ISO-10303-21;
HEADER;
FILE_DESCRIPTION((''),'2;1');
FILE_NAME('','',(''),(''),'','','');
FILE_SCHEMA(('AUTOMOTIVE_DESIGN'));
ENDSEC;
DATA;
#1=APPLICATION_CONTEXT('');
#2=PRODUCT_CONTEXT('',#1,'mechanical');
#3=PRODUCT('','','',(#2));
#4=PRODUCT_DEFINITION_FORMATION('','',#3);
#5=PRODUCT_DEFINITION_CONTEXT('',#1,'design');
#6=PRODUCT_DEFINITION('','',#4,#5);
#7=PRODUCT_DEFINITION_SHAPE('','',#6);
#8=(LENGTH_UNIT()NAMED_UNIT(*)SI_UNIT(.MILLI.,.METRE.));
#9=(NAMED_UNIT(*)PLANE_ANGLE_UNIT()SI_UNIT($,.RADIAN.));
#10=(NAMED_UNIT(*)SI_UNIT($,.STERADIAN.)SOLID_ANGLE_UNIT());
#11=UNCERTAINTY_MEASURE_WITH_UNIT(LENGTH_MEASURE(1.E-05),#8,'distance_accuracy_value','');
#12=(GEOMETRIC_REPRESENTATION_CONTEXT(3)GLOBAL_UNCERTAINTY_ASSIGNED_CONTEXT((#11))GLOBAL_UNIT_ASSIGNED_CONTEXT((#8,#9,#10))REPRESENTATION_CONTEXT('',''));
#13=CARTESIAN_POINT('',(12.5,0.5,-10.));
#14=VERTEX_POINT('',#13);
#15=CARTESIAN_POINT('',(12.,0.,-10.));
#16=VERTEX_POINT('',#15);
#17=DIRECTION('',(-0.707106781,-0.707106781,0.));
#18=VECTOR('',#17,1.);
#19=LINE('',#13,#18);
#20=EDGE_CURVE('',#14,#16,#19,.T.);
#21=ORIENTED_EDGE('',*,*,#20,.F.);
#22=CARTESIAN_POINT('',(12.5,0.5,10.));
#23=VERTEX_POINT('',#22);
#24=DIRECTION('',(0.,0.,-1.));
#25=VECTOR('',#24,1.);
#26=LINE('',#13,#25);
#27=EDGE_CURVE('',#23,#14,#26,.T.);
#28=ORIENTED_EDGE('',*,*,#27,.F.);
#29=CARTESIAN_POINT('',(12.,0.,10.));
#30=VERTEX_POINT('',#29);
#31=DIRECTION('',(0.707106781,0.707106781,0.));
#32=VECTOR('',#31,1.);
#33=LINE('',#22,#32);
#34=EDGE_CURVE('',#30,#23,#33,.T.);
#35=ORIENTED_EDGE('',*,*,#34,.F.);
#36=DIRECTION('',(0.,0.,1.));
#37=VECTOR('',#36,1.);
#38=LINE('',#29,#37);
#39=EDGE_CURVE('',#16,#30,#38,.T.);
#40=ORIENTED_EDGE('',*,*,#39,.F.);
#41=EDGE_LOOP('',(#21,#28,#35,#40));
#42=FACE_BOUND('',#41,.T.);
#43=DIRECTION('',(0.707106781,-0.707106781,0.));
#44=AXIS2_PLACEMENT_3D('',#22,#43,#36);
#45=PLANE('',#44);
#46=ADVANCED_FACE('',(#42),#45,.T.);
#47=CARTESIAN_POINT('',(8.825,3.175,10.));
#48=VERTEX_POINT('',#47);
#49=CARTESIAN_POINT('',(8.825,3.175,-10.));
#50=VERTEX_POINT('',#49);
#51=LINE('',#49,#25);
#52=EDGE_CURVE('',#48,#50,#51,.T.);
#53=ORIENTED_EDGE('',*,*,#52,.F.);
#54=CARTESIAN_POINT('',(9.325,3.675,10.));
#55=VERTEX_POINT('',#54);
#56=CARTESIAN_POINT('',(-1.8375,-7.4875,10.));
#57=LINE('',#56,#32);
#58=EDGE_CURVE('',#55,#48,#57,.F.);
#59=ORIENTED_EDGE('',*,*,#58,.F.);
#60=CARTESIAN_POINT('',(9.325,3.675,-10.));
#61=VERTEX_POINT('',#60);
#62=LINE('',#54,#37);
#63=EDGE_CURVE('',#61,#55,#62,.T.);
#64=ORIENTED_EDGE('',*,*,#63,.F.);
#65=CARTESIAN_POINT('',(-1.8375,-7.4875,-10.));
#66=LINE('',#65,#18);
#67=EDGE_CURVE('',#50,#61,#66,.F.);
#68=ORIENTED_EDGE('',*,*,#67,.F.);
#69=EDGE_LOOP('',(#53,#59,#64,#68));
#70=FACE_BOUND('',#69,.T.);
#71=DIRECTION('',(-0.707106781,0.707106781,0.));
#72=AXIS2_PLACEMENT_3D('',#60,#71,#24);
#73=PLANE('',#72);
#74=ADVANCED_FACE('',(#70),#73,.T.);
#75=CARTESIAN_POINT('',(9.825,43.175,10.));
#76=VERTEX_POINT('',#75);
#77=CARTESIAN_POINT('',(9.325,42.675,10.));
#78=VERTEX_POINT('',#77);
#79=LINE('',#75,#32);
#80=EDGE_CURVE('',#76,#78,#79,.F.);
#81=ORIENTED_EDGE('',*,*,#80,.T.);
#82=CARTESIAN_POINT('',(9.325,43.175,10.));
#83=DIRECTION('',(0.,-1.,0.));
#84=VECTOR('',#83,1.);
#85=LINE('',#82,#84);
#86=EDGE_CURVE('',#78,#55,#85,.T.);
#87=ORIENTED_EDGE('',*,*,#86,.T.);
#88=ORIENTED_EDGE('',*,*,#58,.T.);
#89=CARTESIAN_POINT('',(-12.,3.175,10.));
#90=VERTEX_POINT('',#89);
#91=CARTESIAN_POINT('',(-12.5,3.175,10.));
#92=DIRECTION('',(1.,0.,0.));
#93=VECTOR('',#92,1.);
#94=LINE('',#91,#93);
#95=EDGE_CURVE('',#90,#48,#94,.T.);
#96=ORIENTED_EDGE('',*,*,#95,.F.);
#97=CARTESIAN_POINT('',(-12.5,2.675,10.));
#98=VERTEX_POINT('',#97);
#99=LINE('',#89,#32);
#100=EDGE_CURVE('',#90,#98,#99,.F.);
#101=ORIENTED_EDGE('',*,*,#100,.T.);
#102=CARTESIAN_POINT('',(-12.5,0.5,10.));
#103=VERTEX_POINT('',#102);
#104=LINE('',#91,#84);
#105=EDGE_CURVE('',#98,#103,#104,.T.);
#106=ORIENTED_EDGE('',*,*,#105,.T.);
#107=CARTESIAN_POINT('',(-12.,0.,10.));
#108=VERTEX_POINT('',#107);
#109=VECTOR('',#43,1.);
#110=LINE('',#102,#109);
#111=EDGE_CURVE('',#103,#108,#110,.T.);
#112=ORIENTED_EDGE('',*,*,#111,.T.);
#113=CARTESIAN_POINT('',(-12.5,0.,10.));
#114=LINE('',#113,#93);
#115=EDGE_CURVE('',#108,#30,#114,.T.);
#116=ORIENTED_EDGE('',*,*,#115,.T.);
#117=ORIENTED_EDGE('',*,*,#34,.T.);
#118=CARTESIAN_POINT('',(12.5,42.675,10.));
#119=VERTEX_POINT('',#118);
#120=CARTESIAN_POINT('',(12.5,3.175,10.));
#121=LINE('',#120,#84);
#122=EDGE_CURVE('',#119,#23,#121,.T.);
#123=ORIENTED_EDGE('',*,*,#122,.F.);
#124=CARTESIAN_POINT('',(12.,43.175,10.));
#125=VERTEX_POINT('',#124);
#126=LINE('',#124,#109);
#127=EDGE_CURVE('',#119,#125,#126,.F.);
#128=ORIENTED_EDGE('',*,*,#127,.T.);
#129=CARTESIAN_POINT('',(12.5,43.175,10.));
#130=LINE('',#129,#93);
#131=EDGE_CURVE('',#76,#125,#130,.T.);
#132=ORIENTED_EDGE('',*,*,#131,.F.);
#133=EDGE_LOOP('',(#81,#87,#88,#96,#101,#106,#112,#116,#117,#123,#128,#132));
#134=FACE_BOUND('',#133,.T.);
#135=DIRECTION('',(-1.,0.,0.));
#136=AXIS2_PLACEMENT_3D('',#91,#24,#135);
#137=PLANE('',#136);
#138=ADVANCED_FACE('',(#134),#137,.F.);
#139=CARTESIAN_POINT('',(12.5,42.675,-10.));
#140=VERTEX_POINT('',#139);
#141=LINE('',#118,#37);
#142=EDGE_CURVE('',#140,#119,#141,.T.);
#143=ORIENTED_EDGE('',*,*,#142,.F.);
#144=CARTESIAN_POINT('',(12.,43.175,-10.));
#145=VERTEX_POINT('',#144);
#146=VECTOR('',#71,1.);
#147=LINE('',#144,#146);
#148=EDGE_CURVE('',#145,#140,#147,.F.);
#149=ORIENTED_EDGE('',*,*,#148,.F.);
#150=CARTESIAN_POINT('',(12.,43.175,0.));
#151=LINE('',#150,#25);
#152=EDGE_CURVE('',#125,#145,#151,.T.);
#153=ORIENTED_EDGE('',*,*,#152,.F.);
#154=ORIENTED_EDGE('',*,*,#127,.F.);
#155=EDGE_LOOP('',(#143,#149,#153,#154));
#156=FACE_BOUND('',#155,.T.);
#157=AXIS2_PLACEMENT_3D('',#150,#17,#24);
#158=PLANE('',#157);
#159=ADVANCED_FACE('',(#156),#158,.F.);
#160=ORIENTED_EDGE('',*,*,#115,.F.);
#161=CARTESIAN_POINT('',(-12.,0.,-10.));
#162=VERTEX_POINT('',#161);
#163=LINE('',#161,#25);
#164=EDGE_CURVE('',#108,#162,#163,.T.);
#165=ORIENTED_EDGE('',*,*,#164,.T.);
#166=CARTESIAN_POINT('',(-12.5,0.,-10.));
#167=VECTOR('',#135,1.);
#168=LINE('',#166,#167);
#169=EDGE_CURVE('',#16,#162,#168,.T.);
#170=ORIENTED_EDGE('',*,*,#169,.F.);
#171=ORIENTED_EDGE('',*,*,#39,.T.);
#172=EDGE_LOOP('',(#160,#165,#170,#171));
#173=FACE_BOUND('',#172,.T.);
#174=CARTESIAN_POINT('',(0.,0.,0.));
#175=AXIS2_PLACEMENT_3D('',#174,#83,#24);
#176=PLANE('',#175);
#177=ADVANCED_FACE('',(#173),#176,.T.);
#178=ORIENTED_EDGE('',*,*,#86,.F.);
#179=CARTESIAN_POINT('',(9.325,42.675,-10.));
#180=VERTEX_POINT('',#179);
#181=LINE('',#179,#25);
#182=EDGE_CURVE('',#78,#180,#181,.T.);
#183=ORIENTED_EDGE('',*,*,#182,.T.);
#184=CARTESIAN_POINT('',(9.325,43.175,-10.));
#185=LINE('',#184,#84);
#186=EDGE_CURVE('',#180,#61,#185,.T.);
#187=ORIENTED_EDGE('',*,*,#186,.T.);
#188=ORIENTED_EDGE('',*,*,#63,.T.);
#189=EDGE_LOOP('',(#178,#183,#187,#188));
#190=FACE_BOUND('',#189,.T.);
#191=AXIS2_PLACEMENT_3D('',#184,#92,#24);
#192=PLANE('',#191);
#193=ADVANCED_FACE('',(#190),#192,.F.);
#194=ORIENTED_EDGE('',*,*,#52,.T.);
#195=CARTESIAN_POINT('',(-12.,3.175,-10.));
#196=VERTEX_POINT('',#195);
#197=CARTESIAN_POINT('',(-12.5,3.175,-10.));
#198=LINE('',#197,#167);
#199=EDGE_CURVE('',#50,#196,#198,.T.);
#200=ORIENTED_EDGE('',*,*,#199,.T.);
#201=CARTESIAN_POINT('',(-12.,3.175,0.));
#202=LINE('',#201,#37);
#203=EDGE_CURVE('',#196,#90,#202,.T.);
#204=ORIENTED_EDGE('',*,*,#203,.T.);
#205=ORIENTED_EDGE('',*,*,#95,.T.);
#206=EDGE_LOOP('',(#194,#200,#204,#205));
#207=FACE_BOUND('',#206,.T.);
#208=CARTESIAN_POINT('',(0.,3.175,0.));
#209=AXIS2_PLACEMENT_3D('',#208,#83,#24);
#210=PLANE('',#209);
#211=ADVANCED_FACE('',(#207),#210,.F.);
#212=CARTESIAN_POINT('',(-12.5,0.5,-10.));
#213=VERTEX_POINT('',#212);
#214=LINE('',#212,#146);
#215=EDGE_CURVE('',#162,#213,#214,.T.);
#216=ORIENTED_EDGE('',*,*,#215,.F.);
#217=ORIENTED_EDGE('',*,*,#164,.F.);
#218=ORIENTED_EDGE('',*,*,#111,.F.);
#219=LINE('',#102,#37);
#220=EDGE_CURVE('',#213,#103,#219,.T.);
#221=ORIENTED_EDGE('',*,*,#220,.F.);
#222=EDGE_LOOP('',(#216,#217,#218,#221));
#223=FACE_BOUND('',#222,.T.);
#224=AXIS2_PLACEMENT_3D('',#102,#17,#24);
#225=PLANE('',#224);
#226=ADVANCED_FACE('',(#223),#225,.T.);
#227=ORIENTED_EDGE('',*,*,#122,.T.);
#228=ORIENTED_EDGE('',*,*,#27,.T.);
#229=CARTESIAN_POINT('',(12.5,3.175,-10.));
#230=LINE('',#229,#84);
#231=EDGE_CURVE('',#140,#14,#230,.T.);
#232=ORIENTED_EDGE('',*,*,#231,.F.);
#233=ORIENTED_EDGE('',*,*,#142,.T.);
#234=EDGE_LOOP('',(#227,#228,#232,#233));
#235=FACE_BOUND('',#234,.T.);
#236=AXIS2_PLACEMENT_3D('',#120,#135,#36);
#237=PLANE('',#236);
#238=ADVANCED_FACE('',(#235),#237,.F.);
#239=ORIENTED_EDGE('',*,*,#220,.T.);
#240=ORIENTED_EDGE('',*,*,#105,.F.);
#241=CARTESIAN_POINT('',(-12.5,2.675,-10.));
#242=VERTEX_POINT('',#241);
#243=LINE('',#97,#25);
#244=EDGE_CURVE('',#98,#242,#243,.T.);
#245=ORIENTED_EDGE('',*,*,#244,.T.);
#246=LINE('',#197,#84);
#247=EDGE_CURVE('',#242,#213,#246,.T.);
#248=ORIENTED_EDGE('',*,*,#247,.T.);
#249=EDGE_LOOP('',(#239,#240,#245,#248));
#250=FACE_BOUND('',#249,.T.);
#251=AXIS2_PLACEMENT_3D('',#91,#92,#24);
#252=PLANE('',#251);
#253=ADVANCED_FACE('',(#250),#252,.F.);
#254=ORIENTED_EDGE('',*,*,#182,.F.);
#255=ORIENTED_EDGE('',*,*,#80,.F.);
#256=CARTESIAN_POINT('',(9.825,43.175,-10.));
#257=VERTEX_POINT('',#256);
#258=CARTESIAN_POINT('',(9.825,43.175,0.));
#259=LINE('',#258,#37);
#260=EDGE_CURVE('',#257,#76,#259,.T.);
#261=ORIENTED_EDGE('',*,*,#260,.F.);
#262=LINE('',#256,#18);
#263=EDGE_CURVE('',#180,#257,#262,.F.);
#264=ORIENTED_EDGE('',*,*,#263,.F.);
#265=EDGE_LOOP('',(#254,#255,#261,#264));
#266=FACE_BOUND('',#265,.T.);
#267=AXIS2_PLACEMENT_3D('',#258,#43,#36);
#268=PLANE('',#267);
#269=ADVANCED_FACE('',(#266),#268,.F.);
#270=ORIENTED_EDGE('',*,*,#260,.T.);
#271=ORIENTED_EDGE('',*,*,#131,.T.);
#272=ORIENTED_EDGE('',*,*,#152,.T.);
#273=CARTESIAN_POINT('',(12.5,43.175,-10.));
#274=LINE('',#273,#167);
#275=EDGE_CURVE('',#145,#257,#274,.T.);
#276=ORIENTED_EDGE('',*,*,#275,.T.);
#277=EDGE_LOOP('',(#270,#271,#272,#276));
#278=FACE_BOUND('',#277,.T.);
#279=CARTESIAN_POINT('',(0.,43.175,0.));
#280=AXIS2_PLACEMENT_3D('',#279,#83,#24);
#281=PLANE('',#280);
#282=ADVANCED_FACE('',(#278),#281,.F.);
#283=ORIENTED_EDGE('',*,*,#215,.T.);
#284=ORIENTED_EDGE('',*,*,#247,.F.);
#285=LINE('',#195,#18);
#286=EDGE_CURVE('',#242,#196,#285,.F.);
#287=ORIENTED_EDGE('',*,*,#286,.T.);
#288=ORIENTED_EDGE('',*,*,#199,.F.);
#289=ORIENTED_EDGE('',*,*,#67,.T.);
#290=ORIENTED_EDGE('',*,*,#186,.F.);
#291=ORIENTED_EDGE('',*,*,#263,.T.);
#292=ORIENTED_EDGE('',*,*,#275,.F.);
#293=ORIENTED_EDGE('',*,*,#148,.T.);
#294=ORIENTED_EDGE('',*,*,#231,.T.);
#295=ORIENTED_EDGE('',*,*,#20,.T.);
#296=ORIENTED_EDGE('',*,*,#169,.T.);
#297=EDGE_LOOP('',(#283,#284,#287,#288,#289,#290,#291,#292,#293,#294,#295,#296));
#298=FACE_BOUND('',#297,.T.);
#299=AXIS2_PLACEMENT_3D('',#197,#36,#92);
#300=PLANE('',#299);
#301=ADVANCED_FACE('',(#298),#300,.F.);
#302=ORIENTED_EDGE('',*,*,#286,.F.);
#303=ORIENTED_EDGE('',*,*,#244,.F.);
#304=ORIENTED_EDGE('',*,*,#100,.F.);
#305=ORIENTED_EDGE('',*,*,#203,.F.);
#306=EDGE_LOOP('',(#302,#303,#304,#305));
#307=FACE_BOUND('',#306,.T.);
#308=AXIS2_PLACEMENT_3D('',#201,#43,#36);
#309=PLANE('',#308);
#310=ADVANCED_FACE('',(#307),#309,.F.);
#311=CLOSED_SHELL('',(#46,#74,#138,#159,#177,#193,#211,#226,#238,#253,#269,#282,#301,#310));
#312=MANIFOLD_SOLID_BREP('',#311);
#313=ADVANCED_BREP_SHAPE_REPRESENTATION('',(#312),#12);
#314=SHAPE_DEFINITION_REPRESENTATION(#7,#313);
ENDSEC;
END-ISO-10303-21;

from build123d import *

# Parameters (mm, degrees)
SKETCH1_W           = 25
SKETCH1_H           = 20
BOSS_EXTRUDE1_DEPTH = 3.175
SKETCH3_W           = 3.175
SKETCH3_H           = 20
BOSS_EXTRUDE2_DEPTH = 40
CHAMFER1_SIZE       = 0.5


with BuildPart() as part:
    # Sketch1 → Boss-Extrude1 (new body)
    with BuildSketch(Plane(origin=(0, 0, 0), x_dir=(1, 0, 0), z_dir=(0, 1, 0))):
        Rectangle(SKETCH1_W, SKETCH1_H)
    extrude(amount=BOSS_EXTRUDE1_DEPTH)

    # Sketch3 → Boss-Extrude2 (add)
    with BuildSketch(Plane(origin=(0, 3.175, 0), x_dir=(1, 0, 0), z_dir=(0, 1, 0))):
        with Locations((10.9125, 0)):
            Rectangle(SKETCH3_W, SKETCH3_H)
    extrude(amount=BOSS_EXTRUDE2_DEPTH)

    # Chamfer1
    chamfer1_edges = [part.edges().sort_by_distance(p)[0] for p in [
        (-12.5, 3.175, 0),
        (9.325, 3.175, 0),
        (12.5, 43.175, 0),
        (9.325, 43.175, 0),
        (-12.5, 0, 0),
        (12.5, 0, 0),
    ]]
    chamfer(chamfer1_edges, length=CHAMFER1_SIZE)


solid = part.part
